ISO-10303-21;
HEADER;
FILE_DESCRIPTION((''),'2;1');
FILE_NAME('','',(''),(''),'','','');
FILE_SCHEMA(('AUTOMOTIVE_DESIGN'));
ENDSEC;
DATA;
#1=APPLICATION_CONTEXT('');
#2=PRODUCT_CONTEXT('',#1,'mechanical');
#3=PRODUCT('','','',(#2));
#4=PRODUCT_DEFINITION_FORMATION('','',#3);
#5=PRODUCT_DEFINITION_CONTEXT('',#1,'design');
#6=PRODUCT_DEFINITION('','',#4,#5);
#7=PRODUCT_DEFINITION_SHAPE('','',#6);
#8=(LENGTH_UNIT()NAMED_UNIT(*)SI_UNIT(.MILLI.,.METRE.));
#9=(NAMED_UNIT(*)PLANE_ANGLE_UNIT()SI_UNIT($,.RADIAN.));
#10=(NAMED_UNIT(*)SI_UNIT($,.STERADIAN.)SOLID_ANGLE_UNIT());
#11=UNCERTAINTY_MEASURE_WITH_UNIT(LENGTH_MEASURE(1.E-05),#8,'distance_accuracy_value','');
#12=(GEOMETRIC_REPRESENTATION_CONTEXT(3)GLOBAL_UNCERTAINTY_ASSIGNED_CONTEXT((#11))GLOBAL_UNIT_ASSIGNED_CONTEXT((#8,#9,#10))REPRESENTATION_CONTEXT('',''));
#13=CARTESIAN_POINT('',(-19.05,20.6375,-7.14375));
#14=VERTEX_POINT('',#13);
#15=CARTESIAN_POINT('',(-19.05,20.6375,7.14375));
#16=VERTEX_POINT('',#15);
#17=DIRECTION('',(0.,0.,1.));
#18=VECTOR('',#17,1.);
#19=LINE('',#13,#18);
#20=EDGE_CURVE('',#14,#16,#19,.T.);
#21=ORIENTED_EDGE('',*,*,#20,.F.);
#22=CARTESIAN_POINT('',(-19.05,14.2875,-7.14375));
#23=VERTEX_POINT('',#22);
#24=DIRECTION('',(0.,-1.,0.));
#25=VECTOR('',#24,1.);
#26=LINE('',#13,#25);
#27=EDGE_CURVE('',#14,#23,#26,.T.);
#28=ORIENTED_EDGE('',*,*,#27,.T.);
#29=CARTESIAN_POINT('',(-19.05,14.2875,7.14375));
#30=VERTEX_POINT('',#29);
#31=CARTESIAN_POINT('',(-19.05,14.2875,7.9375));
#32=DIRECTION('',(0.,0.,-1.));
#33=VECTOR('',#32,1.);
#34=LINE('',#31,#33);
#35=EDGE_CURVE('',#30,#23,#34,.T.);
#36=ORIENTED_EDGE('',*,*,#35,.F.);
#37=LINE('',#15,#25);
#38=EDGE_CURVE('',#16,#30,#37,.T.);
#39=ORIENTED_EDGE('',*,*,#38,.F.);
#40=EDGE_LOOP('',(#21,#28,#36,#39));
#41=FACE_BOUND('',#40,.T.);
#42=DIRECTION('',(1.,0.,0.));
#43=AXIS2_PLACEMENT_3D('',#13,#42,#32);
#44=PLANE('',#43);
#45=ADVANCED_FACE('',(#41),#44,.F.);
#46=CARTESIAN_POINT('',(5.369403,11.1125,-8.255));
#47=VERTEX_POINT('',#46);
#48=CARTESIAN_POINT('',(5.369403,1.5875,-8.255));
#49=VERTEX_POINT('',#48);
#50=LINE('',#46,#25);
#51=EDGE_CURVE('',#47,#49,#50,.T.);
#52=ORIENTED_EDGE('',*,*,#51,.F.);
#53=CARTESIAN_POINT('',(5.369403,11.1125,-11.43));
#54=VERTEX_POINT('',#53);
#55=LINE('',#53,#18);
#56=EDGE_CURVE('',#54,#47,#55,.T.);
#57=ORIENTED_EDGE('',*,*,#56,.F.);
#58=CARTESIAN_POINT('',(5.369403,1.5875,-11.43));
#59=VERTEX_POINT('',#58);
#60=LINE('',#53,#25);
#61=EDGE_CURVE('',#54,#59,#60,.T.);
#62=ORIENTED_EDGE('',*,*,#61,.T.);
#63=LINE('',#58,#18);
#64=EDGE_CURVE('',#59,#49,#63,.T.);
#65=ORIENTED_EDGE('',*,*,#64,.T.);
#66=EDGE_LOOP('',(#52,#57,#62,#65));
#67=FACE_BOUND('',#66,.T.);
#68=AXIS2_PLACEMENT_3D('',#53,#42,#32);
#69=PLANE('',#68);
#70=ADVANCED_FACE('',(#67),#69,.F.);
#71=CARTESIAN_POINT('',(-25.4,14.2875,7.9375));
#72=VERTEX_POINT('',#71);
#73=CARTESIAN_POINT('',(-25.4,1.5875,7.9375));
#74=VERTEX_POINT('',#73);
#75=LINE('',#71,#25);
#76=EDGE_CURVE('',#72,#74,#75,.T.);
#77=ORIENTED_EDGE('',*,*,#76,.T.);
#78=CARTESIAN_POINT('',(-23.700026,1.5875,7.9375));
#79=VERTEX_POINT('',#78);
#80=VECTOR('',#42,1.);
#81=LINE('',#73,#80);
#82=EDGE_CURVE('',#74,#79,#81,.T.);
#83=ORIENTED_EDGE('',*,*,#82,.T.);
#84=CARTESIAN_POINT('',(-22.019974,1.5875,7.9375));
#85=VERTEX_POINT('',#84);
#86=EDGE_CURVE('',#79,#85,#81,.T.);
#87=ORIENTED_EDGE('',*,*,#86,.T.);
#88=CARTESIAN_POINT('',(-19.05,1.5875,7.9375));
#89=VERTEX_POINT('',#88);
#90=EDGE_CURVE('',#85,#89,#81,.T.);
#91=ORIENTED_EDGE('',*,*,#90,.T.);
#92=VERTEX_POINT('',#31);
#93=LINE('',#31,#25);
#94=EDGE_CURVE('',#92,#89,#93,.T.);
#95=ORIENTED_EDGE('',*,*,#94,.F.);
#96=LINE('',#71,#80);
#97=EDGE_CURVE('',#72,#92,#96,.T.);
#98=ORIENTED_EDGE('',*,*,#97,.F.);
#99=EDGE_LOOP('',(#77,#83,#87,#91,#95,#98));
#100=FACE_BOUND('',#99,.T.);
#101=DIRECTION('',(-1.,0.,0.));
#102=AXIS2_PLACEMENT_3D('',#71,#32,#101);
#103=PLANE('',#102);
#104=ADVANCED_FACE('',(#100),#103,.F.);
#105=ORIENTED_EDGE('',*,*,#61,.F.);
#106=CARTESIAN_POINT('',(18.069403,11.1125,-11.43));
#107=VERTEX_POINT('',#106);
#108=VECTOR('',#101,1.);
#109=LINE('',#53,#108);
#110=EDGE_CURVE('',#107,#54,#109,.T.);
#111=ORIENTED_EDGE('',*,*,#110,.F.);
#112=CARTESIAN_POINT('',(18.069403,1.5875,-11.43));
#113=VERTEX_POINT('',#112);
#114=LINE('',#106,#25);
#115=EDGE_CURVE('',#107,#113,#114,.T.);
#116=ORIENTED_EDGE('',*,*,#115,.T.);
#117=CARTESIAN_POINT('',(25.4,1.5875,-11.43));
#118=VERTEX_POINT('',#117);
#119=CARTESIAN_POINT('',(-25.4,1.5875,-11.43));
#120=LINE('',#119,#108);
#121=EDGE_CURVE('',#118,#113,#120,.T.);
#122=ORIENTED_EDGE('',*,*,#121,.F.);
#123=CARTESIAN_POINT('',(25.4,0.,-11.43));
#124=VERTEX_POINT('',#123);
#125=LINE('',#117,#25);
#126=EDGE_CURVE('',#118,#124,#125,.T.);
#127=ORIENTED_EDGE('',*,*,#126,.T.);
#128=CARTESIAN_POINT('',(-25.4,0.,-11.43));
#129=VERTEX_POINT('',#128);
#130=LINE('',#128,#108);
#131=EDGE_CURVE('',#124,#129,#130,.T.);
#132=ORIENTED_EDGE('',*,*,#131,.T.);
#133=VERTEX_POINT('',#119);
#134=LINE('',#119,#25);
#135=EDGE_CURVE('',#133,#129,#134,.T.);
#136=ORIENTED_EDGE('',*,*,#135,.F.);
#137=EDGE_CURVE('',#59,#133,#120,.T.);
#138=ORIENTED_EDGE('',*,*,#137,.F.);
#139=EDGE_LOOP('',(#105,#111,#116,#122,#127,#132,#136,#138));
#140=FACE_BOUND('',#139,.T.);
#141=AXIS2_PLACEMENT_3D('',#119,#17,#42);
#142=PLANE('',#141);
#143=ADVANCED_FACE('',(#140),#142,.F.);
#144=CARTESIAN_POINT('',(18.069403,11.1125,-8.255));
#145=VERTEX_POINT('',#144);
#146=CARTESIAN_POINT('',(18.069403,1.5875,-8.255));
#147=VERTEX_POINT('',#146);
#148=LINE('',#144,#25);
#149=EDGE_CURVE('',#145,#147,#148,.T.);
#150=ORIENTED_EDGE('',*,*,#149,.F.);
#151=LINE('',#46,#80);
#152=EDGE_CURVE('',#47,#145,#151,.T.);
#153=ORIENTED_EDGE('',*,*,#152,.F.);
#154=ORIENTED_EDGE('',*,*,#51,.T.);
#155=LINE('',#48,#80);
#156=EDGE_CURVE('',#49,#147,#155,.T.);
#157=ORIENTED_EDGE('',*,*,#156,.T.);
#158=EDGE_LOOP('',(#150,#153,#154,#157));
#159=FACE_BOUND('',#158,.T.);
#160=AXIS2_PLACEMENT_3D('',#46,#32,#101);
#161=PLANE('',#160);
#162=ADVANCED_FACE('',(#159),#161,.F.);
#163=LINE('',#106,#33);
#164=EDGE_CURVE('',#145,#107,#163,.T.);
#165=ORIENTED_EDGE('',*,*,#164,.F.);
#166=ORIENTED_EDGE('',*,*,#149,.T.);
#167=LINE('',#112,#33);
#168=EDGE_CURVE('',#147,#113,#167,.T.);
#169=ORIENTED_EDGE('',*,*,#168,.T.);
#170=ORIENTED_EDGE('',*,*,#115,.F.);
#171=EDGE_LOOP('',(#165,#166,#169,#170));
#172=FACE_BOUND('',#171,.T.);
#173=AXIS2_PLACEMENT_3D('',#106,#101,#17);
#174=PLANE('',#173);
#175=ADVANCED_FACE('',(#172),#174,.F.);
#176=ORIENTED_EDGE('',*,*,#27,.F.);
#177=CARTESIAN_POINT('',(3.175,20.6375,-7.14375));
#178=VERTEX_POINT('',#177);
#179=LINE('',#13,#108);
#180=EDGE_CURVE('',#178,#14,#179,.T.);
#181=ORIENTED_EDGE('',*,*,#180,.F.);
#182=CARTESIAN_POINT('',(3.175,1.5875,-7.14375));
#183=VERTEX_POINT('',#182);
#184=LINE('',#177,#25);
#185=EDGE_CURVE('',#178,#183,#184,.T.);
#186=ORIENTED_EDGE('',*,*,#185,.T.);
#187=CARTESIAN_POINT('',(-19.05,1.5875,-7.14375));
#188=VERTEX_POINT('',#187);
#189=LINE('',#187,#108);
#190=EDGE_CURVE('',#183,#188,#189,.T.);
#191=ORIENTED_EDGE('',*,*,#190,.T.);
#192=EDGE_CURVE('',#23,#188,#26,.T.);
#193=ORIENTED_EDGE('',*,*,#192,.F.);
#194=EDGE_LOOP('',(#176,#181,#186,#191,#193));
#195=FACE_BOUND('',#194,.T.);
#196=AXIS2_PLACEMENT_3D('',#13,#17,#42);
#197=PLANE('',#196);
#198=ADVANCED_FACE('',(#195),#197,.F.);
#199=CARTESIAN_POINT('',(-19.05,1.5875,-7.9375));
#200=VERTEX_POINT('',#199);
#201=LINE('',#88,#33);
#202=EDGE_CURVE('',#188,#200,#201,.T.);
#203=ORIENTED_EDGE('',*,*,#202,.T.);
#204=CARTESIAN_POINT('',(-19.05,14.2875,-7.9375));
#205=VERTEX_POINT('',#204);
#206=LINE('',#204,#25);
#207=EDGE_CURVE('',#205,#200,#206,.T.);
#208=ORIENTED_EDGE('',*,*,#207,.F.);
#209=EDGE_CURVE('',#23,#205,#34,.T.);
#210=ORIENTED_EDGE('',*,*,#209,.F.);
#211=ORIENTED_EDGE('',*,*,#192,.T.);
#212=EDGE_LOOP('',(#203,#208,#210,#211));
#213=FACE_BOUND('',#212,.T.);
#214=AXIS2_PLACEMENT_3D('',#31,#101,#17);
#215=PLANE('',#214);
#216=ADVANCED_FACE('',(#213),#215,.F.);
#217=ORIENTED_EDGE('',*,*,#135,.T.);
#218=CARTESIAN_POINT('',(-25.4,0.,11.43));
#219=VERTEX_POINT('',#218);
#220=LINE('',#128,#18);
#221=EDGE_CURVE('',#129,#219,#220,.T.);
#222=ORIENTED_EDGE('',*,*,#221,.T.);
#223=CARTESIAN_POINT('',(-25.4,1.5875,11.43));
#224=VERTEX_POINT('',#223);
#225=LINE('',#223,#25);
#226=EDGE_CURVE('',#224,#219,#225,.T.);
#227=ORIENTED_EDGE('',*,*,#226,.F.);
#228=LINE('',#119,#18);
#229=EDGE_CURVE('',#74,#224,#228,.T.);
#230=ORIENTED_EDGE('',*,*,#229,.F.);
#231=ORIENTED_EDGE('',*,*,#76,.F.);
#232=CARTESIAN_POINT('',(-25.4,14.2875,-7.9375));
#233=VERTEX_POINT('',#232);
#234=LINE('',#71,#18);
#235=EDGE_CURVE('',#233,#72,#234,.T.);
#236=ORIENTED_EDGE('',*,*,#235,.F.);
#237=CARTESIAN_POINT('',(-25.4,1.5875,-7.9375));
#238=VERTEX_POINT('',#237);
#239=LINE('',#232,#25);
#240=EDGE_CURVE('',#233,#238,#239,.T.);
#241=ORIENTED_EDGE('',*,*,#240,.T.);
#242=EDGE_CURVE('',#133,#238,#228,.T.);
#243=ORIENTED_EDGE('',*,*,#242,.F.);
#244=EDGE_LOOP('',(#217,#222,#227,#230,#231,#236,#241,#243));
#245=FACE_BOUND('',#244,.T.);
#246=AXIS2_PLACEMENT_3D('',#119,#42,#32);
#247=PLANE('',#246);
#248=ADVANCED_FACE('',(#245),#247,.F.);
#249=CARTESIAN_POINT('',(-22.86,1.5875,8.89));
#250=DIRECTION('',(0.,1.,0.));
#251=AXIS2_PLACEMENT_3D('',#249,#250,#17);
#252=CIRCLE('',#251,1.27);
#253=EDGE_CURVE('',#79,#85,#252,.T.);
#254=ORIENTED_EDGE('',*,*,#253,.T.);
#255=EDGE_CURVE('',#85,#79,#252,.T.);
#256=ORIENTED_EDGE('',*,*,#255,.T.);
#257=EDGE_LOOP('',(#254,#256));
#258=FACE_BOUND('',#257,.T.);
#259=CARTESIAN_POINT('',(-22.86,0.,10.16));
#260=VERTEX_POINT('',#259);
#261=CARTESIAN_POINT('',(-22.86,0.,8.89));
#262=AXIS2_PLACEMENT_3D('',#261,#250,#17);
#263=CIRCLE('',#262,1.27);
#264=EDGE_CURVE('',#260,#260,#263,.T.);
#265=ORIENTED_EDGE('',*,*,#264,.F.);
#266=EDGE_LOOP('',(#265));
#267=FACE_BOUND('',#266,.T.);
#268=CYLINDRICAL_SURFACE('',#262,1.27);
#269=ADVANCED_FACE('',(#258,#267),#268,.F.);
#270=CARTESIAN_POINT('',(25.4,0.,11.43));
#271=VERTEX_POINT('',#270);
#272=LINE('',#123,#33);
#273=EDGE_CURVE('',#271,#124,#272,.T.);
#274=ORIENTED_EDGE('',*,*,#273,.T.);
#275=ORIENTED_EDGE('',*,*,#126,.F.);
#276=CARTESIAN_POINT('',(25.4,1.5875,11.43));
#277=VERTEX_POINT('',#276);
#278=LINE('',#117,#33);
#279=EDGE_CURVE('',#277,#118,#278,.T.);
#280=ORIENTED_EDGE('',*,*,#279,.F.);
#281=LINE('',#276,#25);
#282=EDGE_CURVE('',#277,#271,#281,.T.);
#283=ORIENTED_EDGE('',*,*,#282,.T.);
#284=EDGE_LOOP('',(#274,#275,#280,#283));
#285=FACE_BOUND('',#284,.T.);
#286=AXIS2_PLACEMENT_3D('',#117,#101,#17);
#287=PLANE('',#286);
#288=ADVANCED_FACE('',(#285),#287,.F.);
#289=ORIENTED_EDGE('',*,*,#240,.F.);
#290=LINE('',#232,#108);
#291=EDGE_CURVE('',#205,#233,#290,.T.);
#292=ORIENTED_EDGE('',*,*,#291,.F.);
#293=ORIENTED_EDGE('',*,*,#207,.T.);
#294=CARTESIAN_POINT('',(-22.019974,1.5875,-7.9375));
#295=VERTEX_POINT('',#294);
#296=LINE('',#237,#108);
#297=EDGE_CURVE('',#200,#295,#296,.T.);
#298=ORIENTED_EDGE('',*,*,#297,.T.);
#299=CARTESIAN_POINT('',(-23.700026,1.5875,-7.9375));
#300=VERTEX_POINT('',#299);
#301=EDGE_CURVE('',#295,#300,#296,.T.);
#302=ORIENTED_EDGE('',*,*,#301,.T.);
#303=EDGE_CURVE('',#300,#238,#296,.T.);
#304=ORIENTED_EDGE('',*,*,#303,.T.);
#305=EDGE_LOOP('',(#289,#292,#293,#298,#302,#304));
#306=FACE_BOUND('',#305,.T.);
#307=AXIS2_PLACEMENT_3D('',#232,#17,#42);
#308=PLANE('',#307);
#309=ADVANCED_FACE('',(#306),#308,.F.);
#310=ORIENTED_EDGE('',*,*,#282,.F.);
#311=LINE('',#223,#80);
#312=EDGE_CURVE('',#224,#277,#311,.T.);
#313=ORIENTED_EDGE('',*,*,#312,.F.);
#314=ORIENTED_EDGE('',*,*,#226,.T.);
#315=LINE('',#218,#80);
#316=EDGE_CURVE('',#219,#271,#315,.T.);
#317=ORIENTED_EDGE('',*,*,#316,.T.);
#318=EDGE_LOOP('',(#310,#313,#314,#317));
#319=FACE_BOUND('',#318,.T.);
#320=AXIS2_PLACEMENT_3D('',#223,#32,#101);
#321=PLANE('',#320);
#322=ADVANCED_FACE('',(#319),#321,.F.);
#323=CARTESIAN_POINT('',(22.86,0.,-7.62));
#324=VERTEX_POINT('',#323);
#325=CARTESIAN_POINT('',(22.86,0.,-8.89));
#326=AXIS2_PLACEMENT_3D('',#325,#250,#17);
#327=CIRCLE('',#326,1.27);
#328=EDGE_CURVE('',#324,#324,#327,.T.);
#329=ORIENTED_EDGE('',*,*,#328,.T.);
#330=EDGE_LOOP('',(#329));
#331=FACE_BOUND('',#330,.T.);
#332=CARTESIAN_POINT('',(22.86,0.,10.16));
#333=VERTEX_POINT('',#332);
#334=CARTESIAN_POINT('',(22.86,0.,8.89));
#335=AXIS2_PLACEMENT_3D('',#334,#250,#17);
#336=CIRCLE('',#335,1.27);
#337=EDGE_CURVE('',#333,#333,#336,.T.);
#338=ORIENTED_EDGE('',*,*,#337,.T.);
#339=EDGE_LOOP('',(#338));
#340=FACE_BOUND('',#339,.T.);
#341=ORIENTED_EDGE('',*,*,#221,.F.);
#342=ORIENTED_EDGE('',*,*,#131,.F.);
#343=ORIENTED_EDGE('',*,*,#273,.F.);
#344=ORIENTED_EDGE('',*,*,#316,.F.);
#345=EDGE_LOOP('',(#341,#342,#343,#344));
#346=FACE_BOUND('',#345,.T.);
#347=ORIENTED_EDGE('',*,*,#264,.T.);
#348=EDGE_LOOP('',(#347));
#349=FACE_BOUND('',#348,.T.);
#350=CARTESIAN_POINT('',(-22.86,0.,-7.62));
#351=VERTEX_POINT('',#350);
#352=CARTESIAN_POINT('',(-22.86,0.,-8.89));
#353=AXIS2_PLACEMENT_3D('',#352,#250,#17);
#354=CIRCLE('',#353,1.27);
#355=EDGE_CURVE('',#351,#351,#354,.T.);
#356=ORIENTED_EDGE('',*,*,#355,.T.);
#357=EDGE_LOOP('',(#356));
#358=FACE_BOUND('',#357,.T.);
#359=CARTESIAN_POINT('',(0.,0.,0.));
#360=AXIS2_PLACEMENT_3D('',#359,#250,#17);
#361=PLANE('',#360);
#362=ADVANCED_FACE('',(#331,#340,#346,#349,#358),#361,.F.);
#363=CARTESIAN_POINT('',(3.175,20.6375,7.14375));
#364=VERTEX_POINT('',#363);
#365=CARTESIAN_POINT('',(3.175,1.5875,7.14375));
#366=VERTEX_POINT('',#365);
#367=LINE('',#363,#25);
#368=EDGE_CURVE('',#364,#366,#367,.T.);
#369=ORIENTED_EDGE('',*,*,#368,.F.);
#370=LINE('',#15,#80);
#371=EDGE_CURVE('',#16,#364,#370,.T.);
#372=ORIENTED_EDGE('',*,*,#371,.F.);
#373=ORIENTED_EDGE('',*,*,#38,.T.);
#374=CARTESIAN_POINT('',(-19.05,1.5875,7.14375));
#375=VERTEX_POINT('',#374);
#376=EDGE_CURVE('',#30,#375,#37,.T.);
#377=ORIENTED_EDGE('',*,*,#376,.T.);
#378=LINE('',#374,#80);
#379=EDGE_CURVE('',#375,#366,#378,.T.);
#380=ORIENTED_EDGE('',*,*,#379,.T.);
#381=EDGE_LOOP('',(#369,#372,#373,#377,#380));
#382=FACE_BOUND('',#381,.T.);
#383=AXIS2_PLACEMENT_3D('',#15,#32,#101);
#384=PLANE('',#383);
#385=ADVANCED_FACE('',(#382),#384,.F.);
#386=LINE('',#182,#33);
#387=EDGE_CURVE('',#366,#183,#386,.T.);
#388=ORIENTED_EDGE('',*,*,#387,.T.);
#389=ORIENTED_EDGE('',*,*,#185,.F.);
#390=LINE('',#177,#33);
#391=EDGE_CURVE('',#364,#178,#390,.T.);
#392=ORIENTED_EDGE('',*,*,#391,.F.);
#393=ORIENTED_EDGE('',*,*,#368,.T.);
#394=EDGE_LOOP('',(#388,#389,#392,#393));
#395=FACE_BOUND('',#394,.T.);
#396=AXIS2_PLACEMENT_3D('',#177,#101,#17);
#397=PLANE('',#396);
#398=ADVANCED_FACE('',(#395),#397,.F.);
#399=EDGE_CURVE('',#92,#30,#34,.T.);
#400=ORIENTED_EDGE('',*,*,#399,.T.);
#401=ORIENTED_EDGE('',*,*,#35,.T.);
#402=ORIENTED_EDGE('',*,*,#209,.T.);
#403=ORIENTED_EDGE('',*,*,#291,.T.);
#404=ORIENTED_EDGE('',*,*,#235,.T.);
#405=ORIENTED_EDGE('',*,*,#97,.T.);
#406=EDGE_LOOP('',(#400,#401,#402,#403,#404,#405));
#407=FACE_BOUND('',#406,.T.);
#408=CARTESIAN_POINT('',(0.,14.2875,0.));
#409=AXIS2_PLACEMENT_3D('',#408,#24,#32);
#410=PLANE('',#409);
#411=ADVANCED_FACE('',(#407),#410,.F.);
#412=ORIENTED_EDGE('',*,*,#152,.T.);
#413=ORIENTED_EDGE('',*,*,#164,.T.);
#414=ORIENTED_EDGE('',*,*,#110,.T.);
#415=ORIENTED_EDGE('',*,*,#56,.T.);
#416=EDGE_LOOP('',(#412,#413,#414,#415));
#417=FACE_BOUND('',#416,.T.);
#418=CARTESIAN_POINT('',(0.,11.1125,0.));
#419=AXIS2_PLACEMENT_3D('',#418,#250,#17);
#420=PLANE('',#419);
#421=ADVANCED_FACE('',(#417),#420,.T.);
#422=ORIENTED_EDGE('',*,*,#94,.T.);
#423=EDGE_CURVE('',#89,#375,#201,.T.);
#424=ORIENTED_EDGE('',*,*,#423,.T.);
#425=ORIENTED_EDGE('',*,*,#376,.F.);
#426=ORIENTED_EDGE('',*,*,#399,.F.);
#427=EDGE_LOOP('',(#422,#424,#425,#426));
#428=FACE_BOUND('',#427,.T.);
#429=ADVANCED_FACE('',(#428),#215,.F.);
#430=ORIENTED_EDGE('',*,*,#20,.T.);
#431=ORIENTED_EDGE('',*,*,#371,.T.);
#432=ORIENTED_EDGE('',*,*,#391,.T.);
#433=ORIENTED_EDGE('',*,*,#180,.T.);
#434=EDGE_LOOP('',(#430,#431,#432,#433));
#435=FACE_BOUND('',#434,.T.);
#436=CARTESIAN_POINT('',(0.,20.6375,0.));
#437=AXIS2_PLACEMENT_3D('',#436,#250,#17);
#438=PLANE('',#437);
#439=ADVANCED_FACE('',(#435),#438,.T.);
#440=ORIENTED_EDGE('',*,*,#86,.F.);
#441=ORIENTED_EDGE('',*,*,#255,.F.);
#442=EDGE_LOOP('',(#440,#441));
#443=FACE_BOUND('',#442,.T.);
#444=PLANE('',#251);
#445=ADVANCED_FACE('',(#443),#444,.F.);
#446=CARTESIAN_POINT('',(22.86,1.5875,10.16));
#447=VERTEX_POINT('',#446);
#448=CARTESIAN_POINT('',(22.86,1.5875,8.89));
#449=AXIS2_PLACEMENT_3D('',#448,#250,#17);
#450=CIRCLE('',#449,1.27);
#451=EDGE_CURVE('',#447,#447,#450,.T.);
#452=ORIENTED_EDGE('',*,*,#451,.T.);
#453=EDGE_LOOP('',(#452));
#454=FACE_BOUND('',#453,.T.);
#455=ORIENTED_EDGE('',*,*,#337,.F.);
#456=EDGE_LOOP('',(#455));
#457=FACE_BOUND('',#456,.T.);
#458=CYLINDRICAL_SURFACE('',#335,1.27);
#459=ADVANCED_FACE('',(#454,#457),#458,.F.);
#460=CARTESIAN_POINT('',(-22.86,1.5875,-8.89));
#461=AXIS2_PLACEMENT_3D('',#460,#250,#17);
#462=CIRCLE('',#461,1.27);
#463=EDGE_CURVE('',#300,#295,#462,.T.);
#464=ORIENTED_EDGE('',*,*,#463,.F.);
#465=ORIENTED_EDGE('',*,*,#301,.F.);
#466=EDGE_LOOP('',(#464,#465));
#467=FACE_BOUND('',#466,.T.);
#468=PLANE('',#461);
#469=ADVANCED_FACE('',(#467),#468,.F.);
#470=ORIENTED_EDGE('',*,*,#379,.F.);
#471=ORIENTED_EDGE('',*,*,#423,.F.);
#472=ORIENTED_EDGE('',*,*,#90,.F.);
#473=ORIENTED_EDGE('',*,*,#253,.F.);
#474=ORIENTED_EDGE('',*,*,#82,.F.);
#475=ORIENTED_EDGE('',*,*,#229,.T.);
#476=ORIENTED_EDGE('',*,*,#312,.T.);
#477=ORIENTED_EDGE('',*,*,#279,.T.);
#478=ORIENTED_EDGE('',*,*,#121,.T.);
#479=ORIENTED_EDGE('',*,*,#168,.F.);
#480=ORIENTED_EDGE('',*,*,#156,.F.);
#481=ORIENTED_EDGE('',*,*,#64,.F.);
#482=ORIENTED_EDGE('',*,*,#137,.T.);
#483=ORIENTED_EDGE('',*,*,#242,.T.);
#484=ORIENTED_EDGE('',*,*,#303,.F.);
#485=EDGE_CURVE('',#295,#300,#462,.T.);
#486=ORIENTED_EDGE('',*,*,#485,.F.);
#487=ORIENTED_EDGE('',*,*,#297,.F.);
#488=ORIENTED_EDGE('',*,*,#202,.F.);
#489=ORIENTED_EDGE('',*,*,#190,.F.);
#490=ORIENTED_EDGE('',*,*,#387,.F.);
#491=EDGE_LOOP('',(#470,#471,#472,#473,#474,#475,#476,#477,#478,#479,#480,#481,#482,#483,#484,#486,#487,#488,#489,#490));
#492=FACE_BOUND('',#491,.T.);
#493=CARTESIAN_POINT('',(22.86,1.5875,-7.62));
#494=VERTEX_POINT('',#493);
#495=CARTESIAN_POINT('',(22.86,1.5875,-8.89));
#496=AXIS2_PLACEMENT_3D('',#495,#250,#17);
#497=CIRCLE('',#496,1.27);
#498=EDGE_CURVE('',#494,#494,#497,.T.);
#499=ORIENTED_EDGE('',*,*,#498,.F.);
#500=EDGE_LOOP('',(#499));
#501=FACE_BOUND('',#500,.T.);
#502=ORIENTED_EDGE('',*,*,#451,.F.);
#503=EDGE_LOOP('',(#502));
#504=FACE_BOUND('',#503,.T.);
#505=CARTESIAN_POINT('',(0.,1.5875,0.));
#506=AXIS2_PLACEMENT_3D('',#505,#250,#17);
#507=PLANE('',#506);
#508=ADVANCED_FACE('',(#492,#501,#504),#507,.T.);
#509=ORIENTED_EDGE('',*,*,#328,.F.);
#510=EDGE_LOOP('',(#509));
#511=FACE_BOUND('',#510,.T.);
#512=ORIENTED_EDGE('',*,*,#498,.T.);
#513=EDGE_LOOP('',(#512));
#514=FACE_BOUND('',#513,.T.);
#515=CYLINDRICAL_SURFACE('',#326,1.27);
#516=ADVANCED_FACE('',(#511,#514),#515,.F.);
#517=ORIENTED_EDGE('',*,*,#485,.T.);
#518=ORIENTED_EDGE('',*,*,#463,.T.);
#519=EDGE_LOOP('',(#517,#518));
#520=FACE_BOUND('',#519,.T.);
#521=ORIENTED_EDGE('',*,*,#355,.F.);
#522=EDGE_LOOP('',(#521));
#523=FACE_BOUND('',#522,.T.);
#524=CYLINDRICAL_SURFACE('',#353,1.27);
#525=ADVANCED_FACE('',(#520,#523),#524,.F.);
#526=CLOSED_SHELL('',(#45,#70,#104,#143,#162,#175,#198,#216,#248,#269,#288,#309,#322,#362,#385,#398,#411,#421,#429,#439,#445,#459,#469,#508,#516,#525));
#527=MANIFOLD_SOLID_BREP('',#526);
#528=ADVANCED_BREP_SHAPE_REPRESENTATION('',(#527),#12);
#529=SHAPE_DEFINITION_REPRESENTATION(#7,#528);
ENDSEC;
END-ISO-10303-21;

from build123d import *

# Parameters (mm, degrees)
SKETCH1_W           = 50.8
SKETCH1_H           = 22.86
BOSS_EXTRUDE1_DEPTH = 1.5875
SKETCH2_W           = 6.35
SKETCH2_H           = 15.875
BOSS_EXTRUDE2_DEPTH = 12.7
SKETCH3_W           = 22.225
SKETCH3_H           = 14.2875
BOSS_EXTRUDE3_DEPTH = 19.05
SKETCH4_W           = 12.7
SKETCH4_H           = 3.175
BOSS_EXTRUDE4_DEPTH = 9.525
SKETCH5_R           = 1.27
CUT_EXTRUDE1_DEPTH  = 34.744738849


with BuildPart() as part:
    # Sketch1 → Boss-Extrude1 (new body)
    with BuildSketch(Plane(origin=(0, 0, 0), x_dir=(1, 0, 0), z_dir=(0, 1, 0))):
        Rectangle(SKETCH1_W, SKETCH1_H)
    extrude(amount=BOSS_EXTRUDE1_DEPTH)

    # Sketch2 → Boss-Extrude2 (add)
    with BuildSketch(Plane(origin=(0, 1.5875, 0), x_dir=(1, 0, 0), z_dir=(0, 1, 0))):
        with Locations((-22.225, 0)):
            Rectangle(SKETCH2_W, SKETCH2_H)
    extrude(amount=BOSS_EXTRUDE2_DEPTH)

    # Sketch3 → Boss-Extrude3 (add)
    with BuildSketch(Plane(origin=(0, 1.5875, 0), x_dir=(1, 0, 0), z_dir=(0, 1, 0))):
        with Locations((-7.9375, 0)):
            Rectangle(SKETCH3_W, SKETCH3_H)
    extrude(amount=BOSS_EXTRUDE3_DEPTH)

    # Sketch4 → Boss-Extrude4 (add)
    with BuildSketch(Plane(origin=(0, 1.5875, 0), x_dir=(1, 0, 0), z_dir=(0, 1, 0))):
        with Locations((11.719402779, 9.8425)):
            Rectangle(SKETCH4_W, SKETCH4_H)
    extrude(amount=BOSS_EXTRUDE4_DEPTH)

    # Sketch5 → Cut-Extrude1 (cut, through all)
    with BuildSketch(Plane(origin=(0, 1.5875, 0), x_dir=(1, 0, 0), z_dir=(0, 1, 0))):
        with Locations(Location((-22.86, 8.89, 0), (0, 0, 270))):
            Circle(SKETCH5_R)
        with Locations(Location((22.86, 8.89, 0), (0, 0, 270))):
            Circle(SKETCH5_R)
        with Locations(Location((-22.86, -8.89, 0), (0, 0, 270))):
            Circle(SKETCH5_R)
        with Locations(Location((22.86, -8.89, 0), (0, 0, 270))):
            Circle(SKETCH5_R)
    extrude(amount=-CUT_EXTRUDE1_DEPTH, mode=Mode.SUBTRACT)


solid = part.part
